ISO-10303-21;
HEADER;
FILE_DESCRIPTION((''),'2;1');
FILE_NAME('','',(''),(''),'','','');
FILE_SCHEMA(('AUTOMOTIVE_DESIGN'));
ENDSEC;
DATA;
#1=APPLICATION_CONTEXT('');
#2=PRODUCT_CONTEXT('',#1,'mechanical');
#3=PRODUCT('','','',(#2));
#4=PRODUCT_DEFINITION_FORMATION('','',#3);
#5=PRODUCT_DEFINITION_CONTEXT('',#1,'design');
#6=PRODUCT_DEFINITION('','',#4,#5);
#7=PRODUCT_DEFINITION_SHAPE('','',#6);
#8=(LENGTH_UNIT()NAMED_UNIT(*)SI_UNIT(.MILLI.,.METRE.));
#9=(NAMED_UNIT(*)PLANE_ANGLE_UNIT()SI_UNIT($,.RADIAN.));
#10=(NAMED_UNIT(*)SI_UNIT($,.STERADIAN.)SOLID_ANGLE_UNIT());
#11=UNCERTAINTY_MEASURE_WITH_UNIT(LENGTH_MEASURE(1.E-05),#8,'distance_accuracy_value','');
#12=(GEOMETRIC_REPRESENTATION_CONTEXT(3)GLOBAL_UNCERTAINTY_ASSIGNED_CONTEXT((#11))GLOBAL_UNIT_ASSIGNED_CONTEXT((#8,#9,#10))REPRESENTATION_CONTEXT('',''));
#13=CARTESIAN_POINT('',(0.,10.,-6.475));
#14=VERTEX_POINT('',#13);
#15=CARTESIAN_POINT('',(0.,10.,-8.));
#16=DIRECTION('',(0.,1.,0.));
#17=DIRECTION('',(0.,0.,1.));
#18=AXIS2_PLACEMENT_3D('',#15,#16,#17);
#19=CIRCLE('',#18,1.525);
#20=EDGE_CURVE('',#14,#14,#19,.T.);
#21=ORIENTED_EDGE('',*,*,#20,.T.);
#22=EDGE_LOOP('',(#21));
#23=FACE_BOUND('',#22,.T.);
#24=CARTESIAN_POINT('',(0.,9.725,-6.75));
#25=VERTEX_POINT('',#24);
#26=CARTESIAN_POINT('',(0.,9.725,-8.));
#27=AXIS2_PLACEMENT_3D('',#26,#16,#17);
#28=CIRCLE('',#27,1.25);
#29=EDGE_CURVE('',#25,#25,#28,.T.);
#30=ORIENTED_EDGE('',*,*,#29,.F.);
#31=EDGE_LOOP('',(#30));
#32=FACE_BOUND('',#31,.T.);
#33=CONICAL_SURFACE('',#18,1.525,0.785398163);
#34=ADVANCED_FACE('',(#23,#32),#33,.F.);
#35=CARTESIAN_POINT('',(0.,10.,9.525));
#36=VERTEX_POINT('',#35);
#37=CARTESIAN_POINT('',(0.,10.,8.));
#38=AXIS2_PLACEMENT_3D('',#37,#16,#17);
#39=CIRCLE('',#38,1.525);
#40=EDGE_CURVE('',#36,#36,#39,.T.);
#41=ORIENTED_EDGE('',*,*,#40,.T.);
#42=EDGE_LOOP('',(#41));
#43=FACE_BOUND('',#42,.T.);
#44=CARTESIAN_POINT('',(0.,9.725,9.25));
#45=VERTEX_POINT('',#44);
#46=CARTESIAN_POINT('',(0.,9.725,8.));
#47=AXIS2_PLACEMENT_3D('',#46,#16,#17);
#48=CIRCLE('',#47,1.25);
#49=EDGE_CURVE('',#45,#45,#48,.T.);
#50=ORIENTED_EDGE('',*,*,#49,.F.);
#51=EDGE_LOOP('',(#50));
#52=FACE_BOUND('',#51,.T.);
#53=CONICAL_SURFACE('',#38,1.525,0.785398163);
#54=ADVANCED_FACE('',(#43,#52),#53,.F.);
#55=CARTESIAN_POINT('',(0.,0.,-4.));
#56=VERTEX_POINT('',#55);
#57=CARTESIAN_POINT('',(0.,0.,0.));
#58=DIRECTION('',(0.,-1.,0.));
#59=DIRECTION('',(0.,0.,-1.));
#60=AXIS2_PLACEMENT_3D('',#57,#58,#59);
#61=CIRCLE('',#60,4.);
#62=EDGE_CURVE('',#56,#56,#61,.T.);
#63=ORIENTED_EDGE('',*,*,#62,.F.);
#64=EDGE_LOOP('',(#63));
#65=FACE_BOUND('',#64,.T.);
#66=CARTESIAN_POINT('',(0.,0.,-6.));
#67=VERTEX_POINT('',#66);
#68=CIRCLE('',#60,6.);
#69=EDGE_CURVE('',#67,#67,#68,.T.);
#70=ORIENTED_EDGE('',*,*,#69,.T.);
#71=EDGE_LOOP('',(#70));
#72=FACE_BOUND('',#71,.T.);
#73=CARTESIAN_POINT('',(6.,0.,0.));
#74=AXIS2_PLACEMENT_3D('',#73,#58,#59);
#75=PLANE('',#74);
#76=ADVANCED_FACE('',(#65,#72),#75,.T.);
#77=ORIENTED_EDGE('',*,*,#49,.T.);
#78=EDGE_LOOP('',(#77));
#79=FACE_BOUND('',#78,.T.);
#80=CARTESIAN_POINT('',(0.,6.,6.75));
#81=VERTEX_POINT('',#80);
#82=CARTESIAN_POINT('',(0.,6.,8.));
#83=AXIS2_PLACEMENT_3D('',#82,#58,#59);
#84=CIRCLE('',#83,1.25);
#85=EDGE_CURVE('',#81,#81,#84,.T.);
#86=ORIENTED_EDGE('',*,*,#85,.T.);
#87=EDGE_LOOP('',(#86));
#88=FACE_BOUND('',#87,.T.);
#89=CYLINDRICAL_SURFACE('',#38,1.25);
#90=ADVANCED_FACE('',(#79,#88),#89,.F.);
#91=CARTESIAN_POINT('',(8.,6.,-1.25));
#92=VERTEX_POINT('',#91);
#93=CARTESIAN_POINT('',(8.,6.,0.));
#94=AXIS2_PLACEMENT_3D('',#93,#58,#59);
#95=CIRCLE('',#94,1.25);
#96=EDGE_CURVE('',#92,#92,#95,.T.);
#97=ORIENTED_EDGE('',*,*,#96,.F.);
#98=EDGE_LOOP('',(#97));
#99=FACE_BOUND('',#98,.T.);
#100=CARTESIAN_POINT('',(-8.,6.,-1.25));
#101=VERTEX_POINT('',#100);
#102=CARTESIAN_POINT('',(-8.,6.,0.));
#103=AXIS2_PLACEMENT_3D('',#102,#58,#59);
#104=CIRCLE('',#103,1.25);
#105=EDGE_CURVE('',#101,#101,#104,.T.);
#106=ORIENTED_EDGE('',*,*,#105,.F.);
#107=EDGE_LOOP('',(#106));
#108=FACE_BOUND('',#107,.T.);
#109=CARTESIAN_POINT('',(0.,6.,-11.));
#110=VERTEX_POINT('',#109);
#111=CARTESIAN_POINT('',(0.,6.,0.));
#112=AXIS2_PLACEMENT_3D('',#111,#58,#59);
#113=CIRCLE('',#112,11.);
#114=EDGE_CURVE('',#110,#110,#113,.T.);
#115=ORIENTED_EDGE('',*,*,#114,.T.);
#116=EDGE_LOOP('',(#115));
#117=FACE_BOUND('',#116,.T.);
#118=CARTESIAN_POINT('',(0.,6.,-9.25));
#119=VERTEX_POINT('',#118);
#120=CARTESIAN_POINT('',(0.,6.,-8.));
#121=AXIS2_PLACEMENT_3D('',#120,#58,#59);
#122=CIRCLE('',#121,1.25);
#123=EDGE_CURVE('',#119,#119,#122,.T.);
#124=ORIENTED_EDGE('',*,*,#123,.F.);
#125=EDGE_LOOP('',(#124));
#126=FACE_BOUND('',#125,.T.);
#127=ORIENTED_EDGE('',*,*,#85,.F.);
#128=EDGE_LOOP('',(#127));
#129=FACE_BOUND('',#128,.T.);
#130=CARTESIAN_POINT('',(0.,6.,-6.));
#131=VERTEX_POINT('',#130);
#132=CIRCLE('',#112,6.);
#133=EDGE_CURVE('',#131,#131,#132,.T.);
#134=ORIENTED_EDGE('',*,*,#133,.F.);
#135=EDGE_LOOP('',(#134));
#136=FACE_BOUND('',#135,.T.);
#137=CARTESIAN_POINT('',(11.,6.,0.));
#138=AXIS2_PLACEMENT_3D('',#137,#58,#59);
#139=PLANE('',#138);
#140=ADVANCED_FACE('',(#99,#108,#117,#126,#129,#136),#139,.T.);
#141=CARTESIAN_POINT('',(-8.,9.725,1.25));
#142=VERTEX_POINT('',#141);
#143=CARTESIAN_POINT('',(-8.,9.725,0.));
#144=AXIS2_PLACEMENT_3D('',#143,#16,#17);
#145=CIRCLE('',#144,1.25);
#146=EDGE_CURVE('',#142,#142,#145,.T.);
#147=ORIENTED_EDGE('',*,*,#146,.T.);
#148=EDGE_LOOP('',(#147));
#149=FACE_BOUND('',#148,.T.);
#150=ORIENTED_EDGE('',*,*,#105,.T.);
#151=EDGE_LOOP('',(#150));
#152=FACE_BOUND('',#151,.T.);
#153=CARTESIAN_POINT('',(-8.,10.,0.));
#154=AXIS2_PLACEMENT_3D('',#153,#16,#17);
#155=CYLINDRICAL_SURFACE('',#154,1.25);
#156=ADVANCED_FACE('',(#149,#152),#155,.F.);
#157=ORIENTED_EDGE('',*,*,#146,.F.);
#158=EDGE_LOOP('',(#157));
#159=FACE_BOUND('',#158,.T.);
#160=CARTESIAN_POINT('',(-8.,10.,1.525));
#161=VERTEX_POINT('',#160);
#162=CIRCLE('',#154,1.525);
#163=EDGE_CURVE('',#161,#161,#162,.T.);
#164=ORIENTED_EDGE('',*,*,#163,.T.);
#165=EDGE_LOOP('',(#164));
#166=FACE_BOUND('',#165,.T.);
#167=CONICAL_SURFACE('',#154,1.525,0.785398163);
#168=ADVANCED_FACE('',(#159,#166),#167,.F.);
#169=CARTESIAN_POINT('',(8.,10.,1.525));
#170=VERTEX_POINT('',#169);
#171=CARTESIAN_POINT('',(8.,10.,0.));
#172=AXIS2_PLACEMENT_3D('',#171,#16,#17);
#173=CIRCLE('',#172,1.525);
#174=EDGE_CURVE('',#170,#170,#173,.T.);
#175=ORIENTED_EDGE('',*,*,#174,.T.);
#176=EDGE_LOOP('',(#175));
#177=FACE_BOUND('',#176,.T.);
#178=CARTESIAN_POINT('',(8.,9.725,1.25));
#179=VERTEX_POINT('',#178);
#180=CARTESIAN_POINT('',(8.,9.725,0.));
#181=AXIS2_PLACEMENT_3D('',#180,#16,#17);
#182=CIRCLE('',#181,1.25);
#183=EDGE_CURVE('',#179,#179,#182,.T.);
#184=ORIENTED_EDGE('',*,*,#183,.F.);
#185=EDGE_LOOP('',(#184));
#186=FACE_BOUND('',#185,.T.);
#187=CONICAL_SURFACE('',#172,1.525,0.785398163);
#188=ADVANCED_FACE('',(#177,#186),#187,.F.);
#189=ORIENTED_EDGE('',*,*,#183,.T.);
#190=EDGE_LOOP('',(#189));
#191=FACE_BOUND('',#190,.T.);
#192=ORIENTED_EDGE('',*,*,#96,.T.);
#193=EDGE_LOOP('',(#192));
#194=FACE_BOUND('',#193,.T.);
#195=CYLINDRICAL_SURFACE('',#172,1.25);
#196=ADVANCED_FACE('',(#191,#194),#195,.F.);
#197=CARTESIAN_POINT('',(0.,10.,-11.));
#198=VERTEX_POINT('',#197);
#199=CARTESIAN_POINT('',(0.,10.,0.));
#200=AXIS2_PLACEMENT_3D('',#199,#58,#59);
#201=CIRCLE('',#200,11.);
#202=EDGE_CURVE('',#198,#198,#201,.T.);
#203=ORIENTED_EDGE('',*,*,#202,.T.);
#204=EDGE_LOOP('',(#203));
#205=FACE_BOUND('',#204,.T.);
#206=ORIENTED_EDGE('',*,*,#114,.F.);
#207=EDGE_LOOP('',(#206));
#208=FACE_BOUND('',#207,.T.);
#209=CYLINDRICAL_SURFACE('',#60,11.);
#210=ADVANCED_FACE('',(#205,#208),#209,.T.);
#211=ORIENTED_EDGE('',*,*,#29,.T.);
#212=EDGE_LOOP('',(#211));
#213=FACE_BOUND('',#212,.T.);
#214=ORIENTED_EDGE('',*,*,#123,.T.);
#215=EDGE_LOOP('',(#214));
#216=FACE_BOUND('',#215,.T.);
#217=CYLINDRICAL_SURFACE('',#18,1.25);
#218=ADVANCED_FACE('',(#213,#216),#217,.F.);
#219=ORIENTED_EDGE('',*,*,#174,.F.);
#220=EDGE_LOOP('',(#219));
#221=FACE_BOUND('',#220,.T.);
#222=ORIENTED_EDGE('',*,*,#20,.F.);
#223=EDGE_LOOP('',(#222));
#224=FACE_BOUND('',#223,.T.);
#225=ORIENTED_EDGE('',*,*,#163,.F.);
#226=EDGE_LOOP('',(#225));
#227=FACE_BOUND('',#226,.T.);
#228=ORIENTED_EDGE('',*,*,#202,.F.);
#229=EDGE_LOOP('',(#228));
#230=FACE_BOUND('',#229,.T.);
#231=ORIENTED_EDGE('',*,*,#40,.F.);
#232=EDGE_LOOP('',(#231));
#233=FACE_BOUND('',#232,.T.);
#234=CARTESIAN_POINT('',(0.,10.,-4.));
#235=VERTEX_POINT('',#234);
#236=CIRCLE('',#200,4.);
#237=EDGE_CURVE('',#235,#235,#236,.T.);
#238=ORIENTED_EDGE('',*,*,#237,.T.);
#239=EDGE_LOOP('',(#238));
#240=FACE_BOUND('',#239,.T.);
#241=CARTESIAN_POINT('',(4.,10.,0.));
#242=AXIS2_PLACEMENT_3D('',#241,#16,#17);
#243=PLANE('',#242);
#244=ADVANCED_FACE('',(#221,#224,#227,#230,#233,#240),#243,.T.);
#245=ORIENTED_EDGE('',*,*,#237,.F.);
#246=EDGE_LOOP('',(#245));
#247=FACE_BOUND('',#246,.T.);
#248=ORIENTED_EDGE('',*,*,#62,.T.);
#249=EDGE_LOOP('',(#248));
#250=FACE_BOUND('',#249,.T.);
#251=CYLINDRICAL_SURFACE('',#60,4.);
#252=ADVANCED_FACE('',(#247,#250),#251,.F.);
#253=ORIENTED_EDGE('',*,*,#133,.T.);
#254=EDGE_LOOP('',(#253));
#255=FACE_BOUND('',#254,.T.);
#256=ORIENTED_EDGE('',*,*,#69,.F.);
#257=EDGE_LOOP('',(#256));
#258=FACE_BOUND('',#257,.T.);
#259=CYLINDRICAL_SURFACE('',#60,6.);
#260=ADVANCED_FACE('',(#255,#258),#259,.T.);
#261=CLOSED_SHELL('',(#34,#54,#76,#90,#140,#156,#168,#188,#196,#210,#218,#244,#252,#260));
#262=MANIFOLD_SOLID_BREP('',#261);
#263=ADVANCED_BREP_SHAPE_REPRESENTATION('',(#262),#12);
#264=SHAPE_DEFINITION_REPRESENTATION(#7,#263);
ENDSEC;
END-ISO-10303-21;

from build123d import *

# Parameters (mm, degrees)
M3X0_5_TAPPED_HOLE1_D           = 2.5
M3X0_5_TAPPED_HOLE1_CSINK_D     = 3.05
M3X0_5_TAPPED_HOLE1_CSINK_ANGLE = 90


with BuildPart() as part:
    # Sketch1 → Revolve1 (revolve)
    with BuildSketch(Plane.XY, mode=Mode.PRIVATE) as revolve1_sk:
        Polygon((4, 0), (4, 10), (11, 10), (11, 6), (6, 6), (6, 0), align=None)
    revolve(revolve1_sk.sketch.rotate(Axis((0, 0, 0), (0, 1, 0)), 90), axis=Axis((0, 0, 0), (0, 1, 0)))

    # M3x0.5 Tapped Hole1 (through all)
    with Locations(Plane(origin=(0, 10, 0), x_dir=(1, 0, 0), z_dir=(0, 1, 0))):
        with Locations((0, 8), (8, 0), (0, -8), (-8, 0), (0, 0)):
            CounterSinkHole(M3X0_5_TAPPED_HOLE1_D / 2, M3X0_5_TAPPED_HOLE1_CSINK_D / 2, counter_sink_angle=M3X0_5_TAPPED_HOLE1_CSINK_ANGLE)


solid = part.part
